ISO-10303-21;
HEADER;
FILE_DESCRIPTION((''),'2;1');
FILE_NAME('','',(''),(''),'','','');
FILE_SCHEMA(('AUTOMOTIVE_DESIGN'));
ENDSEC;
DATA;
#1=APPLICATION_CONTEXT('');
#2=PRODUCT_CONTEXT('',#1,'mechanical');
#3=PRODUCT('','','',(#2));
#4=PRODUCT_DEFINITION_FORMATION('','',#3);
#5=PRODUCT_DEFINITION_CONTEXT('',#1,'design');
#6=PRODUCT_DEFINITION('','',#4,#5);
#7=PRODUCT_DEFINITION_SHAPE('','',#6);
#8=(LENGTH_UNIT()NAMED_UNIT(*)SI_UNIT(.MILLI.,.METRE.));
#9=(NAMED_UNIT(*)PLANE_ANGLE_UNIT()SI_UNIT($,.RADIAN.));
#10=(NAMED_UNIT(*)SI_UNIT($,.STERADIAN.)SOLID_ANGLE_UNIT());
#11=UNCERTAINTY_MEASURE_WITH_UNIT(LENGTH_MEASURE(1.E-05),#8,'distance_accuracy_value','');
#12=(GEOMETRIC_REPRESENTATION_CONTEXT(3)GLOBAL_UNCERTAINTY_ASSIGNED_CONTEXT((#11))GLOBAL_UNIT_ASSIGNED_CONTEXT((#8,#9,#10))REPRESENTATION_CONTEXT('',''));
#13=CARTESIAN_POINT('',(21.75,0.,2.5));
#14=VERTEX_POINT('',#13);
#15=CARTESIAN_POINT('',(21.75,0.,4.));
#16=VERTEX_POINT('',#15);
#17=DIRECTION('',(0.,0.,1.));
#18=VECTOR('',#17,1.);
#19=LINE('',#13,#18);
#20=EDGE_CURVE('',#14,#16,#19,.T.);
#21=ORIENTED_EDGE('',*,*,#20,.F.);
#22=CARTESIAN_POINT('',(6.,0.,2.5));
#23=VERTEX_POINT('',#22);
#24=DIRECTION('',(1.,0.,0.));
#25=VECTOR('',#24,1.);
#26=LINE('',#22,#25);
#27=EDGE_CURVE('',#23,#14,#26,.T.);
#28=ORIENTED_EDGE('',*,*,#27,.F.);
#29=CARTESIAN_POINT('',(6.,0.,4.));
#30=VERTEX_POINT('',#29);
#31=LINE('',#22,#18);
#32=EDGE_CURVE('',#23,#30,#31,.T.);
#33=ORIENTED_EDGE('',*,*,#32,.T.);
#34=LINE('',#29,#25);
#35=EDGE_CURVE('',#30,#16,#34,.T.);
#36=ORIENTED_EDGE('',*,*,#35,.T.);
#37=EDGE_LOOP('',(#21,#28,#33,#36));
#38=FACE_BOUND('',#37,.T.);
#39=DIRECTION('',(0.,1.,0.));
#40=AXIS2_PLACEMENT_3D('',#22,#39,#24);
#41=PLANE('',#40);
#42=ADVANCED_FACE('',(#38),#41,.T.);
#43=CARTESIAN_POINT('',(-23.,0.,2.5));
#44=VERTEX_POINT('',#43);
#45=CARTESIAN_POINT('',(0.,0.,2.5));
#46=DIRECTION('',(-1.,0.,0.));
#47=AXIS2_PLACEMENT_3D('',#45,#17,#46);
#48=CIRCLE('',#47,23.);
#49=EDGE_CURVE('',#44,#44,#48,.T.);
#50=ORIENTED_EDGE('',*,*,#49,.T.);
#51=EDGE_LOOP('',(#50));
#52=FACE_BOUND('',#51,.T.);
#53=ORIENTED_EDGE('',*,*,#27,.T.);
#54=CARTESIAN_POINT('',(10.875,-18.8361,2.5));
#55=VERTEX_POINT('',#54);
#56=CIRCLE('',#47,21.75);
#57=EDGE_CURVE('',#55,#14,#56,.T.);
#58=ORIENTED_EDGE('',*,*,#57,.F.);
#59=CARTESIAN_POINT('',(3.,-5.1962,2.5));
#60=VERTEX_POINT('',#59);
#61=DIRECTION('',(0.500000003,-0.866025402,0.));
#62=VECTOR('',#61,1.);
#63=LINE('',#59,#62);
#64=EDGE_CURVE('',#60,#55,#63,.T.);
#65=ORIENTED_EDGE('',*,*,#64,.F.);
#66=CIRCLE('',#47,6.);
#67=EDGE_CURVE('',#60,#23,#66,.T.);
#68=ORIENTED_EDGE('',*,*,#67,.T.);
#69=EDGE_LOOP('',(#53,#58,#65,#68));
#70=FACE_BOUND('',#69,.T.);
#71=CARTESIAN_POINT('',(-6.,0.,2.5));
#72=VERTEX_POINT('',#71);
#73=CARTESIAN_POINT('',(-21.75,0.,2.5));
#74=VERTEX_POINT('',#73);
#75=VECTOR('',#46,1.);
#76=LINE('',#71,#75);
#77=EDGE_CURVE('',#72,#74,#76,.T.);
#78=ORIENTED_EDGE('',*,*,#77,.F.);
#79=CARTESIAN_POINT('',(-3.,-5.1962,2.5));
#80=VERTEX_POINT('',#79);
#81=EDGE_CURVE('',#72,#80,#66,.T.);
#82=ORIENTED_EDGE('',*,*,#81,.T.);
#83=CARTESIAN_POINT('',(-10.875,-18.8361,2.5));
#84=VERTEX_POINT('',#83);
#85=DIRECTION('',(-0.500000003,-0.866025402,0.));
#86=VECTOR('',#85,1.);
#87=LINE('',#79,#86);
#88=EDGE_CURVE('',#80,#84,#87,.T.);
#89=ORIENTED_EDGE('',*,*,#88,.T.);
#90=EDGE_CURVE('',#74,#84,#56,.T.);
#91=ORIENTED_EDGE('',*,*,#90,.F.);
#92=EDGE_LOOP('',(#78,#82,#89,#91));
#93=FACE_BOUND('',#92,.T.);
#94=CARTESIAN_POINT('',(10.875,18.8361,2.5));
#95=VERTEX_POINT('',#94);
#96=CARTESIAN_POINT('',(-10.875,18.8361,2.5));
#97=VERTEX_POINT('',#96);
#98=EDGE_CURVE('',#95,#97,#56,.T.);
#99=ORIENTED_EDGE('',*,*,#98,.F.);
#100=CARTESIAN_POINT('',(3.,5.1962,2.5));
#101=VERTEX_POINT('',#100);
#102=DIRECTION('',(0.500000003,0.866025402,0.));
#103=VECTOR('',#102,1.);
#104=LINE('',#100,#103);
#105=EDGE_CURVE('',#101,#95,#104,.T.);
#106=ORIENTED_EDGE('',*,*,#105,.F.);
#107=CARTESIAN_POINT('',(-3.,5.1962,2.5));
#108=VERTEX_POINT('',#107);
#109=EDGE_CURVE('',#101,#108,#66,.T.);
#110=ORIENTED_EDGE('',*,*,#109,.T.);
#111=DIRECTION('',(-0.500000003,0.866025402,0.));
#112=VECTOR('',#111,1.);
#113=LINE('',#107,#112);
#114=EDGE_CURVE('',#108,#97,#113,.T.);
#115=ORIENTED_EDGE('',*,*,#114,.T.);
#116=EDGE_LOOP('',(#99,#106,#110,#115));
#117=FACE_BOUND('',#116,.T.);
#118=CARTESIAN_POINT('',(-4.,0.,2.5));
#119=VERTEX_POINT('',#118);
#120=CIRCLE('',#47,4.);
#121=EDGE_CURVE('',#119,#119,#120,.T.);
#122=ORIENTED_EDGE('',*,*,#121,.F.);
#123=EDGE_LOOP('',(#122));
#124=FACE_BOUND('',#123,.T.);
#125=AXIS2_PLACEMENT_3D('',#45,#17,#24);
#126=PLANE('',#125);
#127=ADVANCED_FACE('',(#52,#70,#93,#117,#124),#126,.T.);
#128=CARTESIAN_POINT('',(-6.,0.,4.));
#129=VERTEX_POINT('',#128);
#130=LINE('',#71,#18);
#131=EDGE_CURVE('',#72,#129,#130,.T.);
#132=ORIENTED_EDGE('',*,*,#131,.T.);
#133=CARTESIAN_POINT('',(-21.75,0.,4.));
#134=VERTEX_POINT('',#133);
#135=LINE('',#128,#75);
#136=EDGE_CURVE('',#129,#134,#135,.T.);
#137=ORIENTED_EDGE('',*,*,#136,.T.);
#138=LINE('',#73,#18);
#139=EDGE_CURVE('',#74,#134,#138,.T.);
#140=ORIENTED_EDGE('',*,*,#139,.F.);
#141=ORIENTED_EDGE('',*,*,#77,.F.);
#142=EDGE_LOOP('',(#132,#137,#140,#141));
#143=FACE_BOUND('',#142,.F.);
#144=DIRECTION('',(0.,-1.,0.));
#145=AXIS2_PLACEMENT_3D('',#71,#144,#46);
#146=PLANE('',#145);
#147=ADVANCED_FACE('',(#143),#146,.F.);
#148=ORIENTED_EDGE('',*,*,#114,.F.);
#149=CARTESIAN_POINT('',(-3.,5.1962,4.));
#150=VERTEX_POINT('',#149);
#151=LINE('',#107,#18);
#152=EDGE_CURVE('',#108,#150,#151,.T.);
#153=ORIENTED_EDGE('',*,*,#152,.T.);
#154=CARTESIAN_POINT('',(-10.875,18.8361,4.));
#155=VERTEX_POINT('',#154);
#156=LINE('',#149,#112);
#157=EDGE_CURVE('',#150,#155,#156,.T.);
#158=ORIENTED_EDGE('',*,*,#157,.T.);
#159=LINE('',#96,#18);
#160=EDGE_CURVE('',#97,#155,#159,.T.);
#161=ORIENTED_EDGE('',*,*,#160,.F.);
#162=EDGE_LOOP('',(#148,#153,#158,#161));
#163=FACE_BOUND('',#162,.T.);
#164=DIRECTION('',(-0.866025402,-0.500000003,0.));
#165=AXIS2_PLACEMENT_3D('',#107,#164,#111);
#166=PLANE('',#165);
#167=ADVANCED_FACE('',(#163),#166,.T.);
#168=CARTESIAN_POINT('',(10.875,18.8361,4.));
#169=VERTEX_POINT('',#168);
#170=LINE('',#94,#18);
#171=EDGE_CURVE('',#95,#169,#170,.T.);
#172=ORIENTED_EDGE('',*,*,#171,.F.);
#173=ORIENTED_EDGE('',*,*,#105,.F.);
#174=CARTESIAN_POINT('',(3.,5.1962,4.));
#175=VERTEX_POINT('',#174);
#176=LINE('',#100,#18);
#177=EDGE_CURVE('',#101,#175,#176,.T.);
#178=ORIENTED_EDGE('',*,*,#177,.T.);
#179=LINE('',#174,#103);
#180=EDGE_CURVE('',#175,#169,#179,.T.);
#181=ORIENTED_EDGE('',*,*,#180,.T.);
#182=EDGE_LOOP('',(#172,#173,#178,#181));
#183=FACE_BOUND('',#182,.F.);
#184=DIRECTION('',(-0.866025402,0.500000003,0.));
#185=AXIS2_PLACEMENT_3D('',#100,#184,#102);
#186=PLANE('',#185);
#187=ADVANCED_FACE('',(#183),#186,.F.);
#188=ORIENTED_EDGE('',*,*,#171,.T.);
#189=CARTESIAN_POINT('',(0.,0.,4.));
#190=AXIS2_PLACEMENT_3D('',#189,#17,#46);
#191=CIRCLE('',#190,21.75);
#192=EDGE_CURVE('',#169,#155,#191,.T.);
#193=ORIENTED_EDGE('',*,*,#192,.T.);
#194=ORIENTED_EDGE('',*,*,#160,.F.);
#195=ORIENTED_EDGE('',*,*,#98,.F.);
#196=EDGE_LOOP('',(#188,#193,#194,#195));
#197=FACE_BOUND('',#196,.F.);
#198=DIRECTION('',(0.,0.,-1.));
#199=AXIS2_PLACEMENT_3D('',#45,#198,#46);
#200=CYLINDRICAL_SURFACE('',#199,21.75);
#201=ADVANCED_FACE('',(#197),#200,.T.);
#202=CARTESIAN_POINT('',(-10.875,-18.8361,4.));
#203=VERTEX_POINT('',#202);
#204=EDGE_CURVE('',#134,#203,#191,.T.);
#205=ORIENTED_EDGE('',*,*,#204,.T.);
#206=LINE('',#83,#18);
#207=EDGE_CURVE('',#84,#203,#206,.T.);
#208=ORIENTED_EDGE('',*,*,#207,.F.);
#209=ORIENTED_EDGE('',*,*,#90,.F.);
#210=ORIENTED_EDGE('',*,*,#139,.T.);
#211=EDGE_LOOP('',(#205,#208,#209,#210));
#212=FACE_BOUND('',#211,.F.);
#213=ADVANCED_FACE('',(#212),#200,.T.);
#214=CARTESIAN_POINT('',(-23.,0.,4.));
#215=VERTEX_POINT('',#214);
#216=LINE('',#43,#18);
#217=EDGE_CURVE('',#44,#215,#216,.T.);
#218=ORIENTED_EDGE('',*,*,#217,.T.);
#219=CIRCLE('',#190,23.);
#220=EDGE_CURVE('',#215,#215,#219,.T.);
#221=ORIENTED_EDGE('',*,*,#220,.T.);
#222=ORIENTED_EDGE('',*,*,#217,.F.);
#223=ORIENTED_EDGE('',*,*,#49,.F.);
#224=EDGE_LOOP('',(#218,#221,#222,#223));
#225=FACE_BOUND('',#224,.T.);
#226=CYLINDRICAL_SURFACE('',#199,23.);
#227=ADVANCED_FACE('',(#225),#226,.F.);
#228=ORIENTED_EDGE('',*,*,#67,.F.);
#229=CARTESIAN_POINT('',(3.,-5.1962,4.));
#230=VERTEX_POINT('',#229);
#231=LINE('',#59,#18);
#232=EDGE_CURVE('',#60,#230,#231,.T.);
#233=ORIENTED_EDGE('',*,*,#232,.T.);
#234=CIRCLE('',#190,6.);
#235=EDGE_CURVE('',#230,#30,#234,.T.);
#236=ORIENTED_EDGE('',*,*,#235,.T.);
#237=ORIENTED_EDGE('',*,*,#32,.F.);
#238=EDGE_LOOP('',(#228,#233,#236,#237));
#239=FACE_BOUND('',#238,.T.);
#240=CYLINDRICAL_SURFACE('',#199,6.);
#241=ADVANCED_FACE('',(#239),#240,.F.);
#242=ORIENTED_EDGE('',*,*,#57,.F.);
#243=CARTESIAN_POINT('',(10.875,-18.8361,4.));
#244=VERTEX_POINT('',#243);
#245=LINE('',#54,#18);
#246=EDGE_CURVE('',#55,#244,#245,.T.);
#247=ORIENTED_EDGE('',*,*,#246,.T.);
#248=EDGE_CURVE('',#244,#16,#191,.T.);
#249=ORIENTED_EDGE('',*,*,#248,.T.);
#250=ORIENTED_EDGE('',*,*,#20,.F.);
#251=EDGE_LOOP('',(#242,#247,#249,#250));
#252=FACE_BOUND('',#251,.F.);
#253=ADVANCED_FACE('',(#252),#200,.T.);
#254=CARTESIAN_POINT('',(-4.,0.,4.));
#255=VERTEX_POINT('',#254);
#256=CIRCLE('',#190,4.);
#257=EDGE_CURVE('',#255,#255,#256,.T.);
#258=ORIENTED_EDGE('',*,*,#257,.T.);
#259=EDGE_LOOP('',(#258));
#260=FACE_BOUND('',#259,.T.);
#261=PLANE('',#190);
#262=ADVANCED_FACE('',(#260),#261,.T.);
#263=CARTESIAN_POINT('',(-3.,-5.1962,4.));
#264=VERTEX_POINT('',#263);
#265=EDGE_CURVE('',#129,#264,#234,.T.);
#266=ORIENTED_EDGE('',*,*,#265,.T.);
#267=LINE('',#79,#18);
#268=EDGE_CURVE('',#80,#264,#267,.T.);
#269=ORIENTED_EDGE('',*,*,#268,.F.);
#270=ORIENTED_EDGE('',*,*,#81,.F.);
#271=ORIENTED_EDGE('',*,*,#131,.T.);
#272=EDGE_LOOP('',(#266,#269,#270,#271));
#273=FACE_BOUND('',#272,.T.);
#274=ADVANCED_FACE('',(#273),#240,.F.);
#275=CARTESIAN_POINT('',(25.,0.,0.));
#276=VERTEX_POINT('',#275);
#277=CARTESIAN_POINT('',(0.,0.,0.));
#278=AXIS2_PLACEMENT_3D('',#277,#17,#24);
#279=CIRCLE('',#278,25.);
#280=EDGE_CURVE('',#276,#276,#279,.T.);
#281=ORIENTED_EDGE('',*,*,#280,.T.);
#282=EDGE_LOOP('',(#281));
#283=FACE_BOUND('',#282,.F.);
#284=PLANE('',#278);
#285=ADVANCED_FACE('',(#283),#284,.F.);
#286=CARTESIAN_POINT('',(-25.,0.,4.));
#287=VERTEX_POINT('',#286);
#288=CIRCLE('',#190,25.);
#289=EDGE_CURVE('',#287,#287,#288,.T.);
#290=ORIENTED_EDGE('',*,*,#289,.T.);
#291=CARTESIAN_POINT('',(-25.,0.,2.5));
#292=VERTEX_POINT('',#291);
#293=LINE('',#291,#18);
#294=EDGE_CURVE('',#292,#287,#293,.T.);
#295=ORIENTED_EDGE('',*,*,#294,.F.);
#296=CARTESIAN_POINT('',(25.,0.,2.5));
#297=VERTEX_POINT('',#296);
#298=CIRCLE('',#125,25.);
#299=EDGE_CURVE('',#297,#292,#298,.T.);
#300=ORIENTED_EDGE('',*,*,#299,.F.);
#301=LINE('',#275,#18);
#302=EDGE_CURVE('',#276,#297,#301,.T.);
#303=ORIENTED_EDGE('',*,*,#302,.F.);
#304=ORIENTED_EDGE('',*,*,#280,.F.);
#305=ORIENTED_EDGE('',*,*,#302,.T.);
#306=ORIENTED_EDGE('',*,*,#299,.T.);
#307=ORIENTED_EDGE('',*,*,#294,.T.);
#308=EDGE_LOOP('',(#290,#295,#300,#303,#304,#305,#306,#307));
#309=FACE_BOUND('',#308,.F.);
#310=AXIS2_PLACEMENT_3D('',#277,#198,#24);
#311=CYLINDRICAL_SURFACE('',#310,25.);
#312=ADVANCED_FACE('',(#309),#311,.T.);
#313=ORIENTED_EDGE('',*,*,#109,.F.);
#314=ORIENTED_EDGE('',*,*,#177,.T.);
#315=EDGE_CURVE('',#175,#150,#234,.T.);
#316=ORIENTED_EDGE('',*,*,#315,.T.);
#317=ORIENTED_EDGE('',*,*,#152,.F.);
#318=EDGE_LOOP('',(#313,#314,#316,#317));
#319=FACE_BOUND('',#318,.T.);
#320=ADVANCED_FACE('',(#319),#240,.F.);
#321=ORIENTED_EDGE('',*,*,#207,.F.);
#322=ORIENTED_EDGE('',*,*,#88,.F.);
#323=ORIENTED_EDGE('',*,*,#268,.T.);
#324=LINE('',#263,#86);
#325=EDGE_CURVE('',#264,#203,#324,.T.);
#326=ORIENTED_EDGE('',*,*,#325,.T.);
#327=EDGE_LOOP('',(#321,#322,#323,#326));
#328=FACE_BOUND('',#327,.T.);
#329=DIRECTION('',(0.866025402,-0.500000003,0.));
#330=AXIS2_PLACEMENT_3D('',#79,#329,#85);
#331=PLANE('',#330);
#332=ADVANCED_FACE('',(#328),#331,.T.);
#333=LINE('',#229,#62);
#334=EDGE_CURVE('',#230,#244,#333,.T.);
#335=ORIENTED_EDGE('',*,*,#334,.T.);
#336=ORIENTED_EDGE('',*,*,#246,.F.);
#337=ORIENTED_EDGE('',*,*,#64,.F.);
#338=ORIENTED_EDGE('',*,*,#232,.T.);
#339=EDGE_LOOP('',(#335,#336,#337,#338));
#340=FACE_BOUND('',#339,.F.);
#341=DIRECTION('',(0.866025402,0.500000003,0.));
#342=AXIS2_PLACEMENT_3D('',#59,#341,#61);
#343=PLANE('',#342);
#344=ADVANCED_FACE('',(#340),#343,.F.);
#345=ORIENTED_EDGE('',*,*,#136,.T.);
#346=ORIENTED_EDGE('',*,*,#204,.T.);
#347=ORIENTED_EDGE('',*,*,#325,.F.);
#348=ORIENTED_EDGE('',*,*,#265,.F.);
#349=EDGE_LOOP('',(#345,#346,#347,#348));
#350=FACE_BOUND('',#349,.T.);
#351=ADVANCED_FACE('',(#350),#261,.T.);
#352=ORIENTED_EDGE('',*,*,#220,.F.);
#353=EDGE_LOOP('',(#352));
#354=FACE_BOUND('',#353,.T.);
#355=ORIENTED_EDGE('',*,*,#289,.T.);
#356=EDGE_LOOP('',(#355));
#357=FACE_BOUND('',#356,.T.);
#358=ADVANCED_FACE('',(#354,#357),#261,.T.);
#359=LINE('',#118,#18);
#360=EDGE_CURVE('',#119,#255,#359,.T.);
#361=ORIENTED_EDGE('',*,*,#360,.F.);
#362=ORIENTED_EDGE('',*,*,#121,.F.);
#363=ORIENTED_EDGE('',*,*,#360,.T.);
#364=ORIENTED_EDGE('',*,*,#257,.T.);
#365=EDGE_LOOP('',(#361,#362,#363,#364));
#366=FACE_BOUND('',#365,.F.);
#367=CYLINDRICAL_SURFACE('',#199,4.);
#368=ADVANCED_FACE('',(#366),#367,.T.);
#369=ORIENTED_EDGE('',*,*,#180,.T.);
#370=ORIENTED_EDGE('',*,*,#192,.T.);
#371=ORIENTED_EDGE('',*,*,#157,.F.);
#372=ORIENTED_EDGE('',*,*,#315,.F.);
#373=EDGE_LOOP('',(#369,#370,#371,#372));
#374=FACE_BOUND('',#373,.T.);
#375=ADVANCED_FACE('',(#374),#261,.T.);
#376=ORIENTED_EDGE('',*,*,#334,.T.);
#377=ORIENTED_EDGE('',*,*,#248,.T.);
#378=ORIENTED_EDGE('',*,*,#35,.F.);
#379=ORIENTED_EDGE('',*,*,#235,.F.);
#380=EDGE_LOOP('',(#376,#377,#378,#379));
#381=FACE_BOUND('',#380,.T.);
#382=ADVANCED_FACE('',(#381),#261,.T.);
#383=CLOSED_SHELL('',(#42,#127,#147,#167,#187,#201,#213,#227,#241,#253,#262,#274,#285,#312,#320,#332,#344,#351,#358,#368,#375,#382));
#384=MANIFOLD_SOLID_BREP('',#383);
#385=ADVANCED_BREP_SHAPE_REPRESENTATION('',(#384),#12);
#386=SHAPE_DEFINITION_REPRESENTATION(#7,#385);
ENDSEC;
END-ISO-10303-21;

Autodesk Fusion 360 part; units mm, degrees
sketch "Sketch1" plane through (0, 0, 0) normal (0, 0, 1) x (1, 0, 0)
  circle A0 centre (0, 0) radius 25
  dimension "d1" = 50
extrude "Extrude1" add sketch "Sketch1" along normal blind 2.5
sketch "Sketch2" plane through (0, 0, 2.5) normal (0, 0, 1) x (-1, 0, 0)
  circle A0 centre (0, 0) radius 25
  circle A1 centre (0, 0) radius 4
  line L0 (-6, 0) -> (-3, -5.1962) construction
  line L1 (-3, -5.1962) -> (3, -5.1962) construction
  line L2 (3, -5.1962) -> (6, 0) construction
  line L3 (6, 0) -> (3, 5.1962) construction
  line L4 (3, 5.1962) -> (-3, 5.1962) construction
  line L5 (-3, 5.1962) -> (-6, 0) construction
  circle A2 centre (0, 0) radius 21.75
  line L6 (-6, 0) -> (-21.75, 0)
  line L7 (6, 0) -> (21.75, 0)
  line L8 (-3, -5.1962) -> (-10.875, -18.8361)
  line L9 (3, -5.1962) -> (10.875, -18.8361)
  line L10 (-10.875, -18.8361) -> (-21.75, 0) construction
  line L11 (10.875, -18.8361) -> (21.75, 0) construction
  line L12 (-3, 5.1962) -> (-10.875, 18.8361)
  line L13 (3, 5.1962) -> (10.875, 18.8361)
  line L14 (10.875, 18.8361) -> (-10.875, 18.8361) construction
  line L15 (-21.75, 0) -> (-10.875, 18.8361) construction
  line L16 (-10.875, -18.8361) -> (10.875, -18.8361) construction
  circle A3 centre (0, 0) radius 6
  circle A4 centre (0, 0) radius 23
  dimension "d4" = 8
  dimension "d5" = 6
  dimension "d6" = 43.5
  dimension "d7" = 46
extrude "Extrude3" add sketch "Sketch2" along normal blind 1.5 contours A0 | A1 | A2 L7 L13 A3 | A2 L8 L9 A3 | A2 L6 L12 A3
